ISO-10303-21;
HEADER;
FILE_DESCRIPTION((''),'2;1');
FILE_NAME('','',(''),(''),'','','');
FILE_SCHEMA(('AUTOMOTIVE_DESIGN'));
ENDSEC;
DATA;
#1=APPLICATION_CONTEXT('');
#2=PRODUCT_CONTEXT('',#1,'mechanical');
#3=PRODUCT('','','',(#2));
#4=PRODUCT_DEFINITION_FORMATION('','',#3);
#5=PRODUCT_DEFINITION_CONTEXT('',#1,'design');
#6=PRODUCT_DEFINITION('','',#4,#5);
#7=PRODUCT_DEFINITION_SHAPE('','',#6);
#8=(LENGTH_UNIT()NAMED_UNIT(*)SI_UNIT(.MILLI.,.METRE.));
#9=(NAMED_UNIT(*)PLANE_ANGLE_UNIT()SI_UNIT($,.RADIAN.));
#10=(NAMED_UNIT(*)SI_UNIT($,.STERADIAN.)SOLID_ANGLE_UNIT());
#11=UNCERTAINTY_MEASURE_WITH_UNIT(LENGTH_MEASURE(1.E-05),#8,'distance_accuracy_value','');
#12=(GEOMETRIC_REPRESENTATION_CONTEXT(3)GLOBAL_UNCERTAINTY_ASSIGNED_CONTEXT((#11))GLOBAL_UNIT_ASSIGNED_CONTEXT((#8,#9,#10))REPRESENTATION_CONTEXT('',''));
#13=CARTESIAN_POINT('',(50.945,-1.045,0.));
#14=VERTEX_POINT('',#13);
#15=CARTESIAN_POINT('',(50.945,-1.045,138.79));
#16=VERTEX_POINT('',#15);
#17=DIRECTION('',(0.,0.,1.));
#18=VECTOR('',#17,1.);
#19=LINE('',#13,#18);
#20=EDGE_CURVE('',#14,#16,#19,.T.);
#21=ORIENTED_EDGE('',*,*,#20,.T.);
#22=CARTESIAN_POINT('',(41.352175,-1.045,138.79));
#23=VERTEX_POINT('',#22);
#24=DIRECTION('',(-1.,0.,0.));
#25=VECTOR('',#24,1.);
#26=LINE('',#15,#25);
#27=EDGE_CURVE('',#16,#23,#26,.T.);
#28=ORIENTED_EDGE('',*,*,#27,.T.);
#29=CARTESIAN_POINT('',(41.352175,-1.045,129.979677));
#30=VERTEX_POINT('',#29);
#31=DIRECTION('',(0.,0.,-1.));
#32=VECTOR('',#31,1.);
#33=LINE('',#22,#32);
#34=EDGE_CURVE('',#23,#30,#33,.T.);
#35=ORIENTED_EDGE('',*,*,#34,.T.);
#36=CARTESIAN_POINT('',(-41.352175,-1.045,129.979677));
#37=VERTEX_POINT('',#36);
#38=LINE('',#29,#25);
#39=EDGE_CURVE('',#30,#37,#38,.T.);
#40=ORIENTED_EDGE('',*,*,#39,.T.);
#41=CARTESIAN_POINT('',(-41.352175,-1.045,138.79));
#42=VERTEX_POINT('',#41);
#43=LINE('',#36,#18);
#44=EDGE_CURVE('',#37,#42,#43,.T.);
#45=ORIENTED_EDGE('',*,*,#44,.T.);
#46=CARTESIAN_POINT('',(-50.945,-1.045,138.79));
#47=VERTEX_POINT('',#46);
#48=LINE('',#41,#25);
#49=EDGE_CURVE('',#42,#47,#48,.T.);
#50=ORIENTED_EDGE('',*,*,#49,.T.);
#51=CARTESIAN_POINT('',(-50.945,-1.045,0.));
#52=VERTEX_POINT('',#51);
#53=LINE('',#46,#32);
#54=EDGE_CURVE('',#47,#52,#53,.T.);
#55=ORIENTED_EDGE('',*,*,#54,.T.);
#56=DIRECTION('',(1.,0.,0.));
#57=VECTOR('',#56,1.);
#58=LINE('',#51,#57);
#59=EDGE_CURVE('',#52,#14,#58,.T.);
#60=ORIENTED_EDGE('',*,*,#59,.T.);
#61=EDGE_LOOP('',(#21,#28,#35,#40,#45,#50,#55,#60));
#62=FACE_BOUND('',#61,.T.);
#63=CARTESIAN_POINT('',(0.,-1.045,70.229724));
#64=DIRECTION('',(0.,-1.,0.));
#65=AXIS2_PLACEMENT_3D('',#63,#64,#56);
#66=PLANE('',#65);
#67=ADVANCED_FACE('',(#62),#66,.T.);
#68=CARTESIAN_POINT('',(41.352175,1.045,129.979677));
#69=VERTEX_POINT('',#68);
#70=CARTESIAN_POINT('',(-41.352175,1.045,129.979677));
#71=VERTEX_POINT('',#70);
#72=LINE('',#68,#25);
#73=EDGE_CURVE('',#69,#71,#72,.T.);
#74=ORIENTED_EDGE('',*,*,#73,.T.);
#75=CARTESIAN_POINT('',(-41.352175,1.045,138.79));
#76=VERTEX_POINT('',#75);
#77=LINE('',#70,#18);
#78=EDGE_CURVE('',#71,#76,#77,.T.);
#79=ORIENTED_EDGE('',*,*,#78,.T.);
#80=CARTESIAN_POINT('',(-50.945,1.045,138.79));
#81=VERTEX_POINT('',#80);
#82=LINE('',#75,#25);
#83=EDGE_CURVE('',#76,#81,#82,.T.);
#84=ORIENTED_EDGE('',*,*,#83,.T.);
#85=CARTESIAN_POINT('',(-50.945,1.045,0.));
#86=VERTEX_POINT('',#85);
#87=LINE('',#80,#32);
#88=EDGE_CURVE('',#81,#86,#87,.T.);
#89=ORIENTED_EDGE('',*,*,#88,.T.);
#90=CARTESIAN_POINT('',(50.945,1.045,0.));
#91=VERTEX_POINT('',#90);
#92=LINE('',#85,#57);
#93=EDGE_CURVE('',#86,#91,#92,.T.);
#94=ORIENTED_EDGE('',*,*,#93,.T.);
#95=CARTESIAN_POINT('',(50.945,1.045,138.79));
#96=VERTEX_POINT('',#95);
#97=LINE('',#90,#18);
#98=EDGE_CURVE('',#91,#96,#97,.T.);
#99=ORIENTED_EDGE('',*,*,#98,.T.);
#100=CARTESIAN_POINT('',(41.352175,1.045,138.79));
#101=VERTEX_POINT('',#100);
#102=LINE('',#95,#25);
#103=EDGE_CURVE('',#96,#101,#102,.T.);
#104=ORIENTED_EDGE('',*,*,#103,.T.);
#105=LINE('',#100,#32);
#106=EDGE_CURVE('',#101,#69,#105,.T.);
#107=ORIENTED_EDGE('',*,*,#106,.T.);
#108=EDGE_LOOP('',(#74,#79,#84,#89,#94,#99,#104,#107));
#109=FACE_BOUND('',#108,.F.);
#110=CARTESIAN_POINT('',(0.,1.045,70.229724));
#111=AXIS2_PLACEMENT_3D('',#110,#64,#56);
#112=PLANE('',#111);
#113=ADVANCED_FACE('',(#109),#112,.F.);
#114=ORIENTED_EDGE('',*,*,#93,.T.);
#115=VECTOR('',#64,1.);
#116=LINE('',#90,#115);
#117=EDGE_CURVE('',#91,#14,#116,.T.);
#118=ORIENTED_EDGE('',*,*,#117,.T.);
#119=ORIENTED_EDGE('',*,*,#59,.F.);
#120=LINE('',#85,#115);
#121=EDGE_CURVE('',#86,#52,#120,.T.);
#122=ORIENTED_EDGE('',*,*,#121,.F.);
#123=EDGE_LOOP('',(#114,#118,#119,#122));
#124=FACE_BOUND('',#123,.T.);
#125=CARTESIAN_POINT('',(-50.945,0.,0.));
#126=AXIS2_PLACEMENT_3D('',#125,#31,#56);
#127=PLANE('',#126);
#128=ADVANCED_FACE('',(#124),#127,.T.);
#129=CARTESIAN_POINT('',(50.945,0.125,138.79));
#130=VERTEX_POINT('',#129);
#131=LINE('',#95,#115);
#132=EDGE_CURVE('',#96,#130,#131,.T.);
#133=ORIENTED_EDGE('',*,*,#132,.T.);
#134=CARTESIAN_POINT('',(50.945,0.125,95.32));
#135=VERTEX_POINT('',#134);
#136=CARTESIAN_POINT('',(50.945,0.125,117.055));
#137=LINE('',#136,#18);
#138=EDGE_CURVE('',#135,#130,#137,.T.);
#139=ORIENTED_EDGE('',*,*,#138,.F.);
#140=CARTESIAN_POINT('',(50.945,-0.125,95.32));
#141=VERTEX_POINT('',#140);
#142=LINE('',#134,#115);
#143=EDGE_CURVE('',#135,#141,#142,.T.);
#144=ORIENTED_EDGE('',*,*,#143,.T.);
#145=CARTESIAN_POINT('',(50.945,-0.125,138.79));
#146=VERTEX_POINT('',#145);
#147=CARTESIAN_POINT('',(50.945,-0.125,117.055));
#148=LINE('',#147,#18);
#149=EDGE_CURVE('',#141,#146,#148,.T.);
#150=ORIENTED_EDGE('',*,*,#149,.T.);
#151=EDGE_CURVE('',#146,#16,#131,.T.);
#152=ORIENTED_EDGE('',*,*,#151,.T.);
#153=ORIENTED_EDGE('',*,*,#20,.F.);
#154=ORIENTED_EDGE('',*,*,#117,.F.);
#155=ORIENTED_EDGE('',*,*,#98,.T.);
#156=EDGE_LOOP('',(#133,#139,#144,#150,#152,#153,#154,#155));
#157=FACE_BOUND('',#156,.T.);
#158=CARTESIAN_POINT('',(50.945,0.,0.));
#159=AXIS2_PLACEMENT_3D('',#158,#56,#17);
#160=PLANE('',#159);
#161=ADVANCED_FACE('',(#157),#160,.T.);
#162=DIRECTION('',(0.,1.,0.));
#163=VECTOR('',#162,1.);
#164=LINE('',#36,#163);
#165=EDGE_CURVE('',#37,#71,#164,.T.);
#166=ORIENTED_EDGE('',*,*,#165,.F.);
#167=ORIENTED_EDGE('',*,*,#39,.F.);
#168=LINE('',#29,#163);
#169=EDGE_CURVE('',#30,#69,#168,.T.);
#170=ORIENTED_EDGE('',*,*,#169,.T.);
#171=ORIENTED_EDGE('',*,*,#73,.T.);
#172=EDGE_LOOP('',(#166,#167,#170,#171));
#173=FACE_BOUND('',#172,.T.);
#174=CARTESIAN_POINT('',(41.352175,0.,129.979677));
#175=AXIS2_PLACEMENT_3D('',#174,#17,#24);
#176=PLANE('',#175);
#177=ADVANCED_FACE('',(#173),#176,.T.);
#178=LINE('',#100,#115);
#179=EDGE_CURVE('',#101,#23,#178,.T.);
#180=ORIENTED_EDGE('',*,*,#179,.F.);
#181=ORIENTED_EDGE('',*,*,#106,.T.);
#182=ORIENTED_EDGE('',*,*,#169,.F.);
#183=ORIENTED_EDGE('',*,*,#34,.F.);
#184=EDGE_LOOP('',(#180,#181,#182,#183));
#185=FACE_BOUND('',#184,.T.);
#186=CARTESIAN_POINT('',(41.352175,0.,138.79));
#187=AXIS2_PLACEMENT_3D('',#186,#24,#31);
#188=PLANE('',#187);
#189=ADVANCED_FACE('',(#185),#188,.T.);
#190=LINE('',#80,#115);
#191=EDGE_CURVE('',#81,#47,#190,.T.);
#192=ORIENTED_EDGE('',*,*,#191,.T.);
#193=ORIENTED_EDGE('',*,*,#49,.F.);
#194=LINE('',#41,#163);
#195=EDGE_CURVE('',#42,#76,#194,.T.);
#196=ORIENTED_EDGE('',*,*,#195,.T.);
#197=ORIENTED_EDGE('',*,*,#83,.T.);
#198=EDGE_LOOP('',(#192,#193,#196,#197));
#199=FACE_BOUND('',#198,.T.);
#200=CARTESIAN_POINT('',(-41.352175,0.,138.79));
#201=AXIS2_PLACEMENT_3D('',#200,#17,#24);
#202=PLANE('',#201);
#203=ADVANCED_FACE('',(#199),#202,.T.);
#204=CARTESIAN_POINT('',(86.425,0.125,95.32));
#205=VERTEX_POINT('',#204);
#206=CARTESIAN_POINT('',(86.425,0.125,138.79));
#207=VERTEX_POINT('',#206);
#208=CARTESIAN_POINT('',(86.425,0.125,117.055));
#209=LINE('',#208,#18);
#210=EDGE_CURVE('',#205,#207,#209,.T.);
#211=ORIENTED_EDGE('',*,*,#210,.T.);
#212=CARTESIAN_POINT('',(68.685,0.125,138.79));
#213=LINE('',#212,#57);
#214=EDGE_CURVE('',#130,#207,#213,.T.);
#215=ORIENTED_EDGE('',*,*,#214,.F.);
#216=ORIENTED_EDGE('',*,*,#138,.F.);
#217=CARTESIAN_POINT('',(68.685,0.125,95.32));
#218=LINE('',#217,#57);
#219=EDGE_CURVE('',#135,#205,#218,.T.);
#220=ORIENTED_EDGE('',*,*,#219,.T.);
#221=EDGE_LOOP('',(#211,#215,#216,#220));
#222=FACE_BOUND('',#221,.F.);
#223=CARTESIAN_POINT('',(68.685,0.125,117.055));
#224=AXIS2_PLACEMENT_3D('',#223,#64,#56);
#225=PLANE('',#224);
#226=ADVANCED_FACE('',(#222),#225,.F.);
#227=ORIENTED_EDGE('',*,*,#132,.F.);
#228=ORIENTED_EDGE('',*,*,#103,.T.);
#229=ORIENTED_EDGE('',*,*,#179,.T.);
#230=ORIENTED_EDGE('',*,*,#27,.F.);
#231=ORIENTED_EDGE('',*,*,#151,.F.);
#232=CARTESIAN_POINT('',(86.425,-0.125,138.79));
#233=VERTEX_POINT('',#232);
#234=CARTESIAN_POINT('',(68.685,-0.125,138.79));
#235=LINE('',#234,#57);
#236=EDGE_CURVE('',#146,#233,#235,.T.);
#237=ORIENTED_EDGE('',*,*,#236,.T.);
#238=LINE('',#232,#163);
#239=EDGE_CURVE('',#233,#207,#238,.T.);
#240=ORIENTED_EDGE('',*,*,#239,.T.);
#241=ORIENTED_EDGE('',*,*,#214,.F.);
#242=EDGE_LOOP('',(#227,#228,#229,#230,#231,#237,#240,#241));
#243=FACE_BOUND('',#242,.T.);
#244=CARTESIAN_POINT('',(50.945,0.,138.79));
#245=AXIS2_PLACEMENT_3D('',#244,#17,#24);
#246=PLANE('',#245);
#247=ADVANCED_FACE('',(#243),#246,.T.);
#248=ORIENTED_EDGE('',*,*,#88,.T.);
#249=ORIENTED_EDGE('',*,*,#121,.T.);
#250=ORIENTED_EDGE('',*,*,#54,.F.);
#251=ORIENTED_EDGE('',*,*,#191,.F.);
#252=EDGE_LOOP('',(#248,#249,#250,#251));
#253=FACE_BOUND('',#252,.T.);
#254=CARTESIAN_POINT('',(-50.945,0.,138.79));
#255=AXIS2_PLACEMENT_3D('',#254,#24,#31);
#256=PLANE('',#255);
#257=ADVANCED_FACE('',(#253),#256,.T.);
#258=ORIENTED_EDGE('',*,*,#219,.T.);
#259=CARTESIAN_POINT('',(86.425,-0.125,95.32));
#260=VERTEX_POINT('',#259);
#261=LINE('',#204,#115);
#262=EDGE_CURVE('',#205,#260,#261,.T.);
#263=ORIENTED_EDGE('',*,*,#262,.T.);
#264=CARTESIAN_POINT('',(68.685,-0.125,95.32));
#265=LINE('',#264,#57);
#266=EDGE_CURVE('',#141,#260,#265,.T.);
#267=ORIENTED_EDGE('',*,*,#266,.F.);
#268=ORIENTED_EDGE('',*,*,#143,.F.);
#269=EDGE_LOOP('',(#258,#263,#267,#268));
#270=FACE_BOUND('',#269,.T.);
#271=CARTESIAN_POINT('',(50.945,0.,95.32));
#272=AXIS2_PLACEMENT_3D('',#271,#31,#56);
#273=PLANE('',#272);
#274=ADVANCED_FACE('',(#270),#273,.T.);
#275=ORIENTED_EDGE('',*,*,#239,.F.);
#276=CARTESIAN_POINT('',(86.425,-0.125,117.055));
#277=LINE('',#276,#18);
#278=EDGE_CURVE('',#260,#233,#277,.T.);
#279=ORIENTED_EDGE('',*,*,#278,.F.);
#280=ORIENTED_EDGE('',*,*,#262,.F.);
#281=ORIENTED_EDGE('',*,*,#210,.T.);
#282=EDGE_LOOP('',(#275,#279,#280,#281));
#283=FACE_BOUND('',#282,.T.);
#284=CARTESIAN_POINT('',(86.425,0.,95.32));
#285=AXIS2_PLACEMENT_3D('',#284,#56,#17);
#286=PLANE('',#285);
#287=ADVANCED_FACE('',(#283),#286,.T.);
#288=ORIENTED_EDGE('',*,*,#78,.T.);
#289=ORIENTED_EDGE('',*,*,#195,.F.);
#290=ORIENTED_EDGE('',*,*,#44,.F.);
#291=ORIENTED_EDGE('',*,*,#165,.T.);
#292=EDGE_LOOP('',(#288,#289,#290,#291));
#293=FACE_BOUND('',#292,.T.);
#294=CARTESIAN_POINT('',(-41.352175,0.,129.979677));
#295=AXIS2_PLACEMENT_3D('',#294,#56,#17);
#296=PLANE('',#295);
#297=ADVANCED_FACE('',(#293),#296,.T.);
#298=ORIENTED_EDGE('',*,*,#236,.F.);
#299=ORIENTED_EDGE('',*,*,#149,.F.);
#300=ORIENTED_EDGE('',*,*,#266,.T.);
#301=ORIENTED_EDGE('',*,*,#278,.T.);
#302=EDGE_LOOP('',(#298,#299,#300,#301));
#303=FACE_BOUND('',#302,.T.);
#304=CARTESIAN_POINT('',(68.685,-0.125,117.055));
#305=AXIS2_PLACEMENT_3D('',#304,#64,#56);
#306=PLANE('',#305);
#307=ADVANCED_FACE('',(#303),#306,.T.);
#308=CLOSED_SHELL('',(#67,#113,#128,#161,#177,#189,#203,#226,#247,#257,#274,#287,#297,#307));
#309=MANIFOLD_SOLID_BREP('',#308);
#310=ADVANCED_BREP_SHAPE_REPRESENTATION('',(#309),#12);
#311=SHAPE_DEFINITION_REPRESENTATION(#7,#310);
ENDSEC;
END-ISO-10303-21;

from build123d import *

# Parameters (mm, degrees)
F0_W     = 35.48
F0_H     = 43.47
F1_DEPTH = 0.125
F2_DEPTH = 1.045


with BuildPart() as f1:
    # F0 (on Front) → F1 (new body, symmetric)
    with BuildSketch(Plane.XZ):
        with Locations((68.685, 117.055)):
            Rectangle(F0_W, F0_H)
    extrude(amount=F1_DEPTH, both=True)

    # F0 (on Front) → F2 (join, symmetric)
    with BuildSketch(Plane.XZ):
        Polygon((-41.3521751761, 138.79), (-50.945, 138.79), (-50.945, 0), (50.945, 0), (50.945, 95.32), (50.945, 138.79), (41.3521751761, 138.79), (41.3521751761, 129.9796770382), (-41.3521751761, 129.9796770382), align=None)
    extrude(amount=F2_DEPTH, both=True)


solid = f1.part
